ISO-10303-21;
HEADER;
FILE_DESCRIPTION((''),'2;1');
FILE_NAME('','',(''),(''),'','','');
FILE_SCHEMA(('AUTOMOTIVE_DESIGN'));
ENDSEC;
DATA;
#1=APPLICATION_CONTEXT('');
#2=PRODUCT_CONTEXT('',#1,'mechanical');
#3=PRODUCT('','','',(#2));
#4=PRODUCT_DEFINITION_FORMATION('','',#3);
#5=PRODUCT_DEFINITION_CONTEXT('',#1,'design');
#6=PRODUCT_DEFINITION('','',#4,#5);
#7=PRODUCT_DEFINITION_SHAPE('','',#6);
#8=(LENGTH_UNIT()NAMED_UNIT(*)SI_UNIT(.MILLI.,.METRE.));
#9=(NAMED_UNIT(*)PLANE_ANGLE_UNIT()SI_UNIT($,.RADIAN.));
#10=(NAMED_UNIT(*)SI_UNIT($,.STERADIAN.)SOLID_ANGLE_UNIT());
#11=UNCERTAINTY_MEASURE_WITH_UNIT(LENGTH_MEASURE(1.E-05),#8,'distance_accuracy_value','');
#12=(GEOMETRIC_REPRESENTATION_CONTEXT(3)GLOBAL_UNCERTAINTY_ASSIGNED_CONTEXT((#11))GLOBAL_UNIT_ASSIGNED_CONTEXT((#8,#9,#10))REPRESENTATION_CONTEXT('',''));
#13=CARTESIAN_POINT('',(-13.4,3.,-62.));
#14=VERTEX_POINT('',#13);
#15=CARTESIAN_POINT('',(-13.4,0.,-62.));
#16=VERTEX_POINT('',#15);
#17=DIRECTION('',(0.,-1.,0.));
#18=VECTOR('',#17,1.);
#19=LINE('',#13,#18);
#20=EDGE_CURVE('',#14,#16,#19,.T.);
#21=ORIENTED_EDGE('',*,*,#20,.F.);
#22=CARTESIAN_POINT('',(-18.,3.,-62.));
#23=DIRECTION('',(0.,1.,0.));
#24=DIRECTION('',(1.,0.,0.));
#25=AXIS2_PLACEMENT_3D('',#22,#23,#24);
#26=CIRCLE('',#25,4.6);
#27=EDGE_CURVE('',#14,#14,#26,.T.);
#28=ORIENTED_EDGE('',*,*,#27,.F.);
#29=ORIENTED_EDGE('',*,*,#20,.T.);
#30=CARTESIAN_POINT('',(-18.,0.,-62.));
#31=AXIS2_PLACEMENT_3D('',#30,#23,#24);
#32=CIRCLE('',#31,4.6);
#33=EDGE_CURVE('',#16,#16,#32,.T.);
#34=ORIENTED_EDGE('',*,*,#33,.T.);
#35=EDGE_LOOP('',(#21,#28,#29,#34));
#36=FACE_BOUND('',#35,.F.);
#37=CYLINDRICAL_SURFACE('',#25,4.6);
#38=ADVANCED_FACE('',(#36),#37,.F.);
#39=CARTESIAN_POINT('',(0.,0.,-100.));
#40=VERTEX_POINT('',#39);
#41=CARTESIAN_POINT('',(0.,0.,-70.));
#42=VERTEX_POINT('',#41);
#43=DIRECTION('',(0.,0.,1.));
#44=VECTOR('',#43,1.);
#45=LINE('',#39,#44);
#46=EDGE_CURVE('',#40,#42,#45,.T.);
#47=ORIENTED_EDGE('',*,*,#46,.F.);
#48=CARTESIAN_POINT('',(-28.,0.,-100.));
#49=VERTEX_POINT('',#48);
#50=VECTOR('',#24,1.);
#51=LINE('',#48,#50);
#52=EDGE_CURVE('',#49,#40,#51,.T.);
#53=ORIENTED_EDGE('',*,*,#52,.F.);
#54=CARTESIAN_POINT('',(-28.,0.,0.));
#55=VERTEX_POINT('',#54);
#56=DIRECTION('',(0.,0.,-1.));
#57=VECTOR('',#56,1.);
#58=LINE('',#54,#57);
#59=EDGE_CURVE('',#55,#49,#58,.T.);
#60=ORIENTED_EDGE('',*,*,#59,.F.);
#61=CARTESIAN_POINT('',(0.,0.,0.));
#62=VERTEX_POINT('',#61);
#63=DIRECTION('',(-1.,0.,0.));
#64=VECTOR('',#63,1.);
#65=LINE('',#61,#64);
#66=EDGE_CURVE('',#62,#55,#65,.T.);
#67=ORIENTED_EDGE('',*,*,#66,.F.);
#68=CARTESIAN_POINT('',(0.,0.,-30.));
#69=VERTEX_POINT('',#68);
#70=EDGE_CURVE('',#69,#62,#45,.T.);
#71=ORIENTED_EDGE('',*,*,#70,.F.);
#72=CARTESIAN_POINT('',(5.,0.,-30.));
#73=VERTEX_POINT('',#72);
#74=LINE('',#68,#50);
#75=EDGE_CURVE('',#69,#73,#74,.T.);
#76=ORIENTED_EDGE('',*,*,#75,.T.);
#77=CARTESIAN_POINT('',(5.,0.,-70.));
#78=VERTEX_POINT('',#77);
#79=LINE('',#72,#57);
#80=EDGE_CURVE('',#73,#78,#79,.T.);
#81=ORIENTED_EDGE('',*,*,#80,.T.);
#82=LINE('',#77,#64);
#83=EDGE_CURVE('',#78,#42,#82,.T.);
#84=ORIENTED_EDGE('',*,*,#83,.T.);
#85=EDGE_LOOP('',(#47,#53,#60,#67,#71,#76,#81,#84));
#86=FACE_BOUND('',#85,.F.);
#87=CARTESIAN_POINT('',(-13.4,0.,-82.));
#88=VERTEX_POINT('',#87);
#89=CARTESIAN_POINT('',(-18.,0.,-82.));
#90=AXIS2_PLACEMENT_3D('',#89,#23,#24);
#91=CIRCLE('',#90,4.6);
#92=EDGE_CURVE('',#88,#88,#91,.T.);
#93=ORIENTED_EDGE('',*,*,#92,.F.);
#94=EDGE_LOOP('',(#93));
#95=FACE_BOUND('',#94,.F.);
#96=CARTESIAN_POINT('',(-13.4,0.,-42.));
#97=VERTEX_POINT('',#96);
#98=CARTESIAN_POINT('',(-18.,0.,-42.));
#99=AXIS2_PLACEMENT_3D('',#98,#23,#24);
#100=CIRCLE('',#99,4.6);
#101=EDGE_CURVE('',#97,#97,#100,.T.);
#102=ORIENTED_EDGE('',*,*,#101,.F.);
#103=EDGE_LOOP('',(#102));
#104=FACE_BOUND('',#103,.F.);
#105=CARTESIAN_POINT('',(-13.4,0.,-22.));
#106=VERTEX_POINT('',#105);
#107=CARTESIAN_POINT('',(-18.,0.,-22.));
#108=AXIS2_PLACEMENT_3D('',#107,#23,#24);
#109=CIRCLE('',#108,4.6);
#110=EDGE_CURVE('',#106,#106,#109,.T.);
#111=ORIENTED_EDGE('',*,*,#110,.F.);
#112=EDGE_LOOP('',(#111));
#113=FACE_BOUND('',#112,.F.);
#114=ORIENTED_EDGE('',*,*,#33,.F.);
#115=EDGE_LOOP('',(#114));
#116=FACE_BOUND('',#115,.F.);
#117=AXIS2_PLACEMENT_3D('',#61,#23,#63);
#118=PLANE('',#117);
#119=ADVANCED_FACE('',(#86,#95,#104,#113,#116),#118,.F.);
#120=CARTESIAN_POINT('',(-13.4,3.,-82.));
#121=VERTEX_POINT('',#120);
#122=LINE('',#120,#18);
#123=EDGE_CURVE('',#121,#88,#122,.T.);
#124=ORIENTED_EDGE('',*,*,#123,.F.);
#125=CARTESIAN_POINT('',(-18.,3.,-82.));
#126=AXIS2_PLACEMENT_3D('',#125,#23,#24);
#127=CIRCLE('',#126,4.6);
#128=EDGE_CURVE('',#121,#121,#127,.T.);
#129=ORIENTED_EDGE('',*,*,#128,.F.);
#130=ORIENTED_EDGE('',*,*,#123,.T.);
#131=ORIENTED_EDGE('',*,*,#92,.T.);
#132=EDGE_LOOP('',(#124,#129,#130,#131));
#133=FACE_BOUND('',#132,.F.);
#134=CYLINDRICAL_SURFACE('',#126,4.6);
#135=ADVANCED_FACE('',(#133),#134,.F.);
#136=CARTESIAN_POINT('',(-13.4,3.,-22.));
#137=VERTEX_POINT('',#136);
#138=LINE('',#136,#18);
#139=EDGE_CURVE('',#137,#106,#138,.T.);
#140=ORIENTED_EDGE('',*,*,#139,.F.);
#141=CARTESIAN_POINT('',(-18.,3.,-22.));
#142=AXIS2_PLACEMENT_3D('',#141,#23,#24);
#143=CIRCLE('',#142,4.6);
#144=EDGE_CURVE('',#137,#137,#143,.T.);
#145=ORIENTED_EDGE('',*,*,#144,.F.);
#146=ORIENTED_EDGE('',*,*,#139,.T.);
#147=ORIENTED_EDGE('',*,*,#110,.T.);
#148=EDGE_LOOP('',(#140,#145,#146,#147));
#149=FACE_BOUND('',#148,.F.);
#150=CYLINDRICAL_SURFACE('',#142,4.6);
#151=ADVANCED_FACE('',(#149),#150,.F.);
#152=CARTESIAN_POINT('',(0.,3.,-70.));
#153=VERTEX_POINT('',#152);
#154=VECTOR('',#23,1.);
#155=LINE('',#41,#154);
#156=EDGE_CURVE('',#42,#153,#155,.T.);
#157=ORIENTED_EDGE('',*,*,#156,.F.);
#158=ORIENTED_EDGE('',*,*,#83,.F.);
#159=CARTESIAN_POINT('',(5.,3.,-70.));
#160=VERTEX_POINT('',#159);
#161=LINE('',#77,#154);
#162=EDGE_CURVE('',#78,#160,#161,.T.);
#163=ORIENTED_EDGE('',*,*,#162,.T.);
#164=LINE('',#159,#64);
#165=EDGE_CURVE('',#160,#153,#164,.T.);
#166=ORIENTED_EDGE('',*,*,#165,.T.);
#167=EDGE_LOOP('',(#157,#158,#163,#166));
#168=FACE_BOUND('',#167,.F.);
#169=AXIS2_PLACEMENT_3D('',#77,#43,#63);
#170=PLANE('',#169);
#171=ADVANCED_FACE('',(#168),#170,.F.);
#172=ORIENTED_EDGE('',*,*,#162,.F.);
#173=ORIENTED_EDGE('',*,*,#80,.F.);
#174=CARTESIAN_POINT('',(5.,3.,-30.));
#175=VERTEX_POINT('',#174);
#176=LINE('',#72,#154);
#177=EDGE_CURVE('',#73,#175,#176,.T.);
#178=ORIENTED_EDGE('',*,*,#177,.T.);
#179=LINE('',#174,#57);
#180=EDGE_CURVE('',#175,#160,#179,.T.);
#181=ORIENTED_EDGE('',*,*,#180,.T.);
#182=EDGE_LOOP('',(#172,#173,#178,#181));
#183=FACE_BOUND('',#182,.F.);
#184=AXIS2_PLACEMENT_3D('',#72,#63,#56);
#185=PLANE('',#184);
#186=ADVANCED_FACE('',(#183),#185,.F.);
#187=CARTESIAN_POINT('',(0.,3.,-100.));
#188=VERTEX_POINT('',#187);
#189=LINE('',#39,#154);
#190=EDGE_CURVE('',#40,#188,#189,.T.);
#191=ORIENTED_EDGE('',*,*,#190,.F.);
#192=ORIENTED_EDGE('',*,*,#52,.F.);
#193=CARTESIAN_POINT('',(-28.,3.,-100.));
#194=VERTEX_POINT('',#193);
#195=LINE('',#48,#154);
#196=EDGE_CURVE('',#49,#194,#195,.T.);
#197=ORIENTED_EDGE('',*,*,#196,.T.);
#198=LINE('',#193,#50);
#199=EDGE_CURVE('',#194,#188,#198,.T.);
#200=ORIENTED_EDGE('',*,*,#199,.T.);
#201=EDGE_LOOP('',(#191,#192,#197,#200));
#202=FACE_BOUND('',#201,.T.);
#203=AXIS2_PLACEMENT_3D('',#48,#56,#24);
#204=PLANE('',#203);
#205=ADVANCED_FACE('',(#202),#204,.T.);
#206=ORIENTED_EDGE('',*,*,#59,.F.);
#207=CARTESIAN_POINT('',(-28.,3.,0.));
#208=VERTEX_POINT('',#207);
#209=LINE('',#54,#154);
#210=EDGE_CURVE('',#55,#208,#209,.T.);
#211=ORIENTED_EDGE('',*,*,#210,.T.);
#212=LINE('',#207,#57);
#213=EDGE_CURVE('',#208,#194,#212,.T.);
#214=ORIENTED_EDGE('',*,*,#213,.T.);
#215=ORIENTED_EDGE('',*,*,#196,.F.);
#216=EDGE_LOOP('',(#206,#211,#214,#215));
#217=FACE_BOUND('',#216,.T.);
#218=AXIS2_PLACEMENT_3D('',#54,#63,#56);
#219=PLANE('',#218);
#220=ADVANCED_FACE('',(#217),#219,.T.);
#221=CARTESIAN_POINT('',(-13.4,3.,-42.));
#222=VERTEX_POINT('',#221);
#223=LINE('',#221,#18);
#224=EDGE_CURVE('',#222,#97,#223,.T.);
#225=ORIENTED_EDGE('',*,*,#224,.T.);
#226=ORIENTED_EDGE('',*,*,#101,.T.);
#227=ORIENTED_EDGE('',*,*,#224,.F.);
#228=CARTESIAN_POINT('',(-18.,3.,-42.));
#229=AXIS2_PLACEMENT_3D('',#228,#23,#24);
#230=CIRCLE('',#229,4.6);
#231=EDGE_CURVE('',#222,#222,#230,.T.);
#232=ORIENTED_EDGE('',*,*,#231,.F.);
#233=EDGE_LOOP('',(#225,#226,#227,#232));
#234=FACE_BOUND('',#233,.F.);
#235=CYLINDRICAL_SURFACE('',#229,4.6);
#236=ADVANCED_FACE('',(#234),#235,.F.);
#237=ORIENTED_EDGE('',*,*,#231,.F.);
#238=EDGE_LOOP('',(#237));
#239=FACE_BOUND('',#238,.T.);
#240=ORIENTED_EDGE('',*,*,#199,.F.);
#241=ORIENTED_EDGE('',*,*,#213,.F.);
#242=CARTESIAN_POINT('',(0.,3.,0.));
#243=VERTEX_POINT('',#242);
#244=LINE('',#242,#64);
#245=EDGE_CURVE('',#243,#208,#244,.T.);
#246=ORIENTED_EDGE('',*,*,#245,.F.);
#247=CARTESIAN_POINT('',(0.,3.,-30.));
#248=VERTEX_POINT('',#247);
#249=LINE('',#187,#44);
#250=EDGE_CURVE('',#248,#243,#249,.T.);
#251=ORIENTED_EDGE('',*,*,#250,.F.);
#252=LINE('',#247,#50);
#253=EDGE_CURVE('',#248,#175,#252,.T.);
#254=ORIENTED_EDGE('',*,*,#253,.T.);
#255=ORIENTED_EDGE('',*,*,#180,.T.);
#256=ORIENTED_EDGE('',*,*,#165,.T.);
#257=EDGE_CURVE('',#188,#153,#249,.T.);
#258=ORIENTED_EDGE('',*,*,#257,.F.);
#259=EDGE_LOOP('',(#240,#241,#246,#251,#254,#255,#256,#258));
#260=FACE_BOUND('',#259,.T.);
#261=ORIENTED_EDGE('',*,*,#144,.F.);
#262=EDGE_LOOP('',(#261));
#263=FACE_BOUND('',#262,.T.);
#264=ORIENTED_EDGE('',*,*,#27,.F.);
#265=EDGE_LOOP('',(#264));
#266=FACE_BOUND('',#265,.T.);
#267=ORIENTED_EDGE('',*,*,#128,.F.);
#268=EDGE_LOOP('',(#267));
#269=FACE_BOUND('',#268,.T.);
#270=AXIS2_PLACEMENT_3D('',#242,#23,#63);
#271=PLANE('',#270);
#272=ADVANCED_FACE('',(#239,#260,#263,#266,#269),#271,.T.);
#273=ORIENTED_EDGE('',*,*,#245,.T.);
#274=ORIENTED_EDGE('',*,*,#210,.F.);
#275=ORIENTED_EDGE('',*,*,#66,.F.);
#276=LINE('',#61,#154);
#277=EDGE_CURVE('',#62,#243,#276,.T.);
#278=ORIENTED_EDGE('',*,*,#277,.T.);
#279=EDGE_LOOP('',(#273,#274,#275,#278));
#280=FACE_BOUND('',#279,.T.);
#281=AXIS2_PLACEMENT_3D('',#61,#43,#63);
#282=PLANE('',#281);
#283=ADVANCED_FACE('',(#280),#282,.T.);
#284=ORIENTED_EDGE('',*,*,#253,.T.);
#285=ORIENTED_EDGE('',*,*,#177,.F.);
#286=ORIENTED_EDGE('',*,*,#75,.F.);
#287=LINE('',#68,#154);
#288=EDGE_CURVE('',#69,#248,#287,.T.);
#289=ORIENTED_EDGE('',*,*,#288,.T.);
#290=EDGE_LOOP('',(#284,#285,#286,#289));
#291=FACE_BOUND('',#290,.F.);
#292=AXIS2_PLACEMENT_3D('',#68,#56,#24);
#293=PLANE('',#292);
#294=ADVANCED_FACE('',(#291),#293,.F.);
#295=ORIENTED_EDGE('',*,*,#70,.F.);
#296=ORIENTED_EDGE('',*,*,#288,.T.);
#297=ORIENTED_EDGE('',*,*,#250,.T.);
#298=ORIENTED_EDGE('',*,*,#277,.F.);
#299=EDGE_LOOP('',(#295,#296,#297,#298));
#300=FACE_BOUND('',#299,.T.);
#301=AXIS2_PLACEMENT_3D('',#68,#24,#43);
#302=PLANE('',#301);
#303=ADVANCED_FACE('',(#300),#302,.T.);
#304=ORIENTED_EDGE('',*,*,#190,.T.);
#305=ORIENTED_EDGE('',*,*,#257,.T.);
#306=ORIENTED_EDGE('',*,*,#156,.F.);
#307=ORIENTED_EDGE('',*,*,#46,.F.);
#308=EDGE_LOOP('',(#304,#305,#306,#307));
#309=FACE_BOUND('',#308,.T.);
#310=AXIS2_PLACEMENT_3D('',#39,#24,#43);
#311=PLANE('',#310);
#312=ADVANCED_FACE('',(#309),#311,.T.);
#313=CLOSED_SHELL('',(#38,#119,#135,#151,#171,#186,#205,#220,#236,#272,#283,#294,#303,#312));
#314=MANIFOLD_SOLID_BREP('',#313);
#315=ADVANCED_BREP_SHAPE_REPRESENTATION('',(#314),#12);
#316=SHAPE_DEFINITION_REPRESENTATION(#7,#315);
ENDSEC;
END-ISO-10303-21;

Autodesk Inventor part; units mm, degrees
ref_plane "YZ Plane" through (0, 0, 0) normal (1, 0, 0) x (0, 1, 0)
ref_plane "XZ Plane" through (0, 0, 0) normal (0, 1, 0) x (-1, 0, 0)
ref_plane "XY Plane" through (0, 0, 0) normal (0, 0, 1) x (1, 0, 0)
sketch "Sketch1" plane through (0, 0, 0) normal (0, 1, 0) x (-1, 0, 0)
  line L0 (0, 0) -> (28, 0)
  line L1 (28, 0) -> (28, -100)
  line L2 (28, -100) -> (0, -100)
  line L3 (0, -100) -> (0, 0)
  line L4 (0, -30) -> (-5, -30)
  line L5 (-5, -30) -> (-5, -70)
  line L6 (-5, -70) -> (0, -70)
  line L7 (0, -70) -> (0, -30)
  line L8 (28, -50) -> (0, -50) construction
  line L9 (-5, -50) -> (0, -50) construction
  point P0 (0, -70)
  dimension "d0" = 100
  dimension "d1" = 5
  dimension "d2" = 40
  dimension "d3" = 28
extrude "Extrusion1" add sketch "Sketch1" along normal blind 3
sketch "Sketch2" plane through (0, 3, 0) normal (0, 1, 0) x (1, 0, 0)
  line L0 (-28, 0) -> (0, 0) projected
  line L1 (-18, 0) -> (-18, 81.6583) construction
  circle A0 centre (-18, 22) radius 4.6
  line L2 (0, 0) -> (0, 30) projected
  circle A1 centre (-18, 42) radius 4.6
  circle A2 centre (-18, 62) radius 4.6
  circle A3 centre (-18, 82) radius 4.6
  dimension "d6" = 9.2
  dimension "d7" = 18
  dimension "d8" = 22
  dimension "d11" = 20
extrude "Extrusion2" cut sketch "Sketch2" against normal blind 5
properties part number "Lateral BNC"
